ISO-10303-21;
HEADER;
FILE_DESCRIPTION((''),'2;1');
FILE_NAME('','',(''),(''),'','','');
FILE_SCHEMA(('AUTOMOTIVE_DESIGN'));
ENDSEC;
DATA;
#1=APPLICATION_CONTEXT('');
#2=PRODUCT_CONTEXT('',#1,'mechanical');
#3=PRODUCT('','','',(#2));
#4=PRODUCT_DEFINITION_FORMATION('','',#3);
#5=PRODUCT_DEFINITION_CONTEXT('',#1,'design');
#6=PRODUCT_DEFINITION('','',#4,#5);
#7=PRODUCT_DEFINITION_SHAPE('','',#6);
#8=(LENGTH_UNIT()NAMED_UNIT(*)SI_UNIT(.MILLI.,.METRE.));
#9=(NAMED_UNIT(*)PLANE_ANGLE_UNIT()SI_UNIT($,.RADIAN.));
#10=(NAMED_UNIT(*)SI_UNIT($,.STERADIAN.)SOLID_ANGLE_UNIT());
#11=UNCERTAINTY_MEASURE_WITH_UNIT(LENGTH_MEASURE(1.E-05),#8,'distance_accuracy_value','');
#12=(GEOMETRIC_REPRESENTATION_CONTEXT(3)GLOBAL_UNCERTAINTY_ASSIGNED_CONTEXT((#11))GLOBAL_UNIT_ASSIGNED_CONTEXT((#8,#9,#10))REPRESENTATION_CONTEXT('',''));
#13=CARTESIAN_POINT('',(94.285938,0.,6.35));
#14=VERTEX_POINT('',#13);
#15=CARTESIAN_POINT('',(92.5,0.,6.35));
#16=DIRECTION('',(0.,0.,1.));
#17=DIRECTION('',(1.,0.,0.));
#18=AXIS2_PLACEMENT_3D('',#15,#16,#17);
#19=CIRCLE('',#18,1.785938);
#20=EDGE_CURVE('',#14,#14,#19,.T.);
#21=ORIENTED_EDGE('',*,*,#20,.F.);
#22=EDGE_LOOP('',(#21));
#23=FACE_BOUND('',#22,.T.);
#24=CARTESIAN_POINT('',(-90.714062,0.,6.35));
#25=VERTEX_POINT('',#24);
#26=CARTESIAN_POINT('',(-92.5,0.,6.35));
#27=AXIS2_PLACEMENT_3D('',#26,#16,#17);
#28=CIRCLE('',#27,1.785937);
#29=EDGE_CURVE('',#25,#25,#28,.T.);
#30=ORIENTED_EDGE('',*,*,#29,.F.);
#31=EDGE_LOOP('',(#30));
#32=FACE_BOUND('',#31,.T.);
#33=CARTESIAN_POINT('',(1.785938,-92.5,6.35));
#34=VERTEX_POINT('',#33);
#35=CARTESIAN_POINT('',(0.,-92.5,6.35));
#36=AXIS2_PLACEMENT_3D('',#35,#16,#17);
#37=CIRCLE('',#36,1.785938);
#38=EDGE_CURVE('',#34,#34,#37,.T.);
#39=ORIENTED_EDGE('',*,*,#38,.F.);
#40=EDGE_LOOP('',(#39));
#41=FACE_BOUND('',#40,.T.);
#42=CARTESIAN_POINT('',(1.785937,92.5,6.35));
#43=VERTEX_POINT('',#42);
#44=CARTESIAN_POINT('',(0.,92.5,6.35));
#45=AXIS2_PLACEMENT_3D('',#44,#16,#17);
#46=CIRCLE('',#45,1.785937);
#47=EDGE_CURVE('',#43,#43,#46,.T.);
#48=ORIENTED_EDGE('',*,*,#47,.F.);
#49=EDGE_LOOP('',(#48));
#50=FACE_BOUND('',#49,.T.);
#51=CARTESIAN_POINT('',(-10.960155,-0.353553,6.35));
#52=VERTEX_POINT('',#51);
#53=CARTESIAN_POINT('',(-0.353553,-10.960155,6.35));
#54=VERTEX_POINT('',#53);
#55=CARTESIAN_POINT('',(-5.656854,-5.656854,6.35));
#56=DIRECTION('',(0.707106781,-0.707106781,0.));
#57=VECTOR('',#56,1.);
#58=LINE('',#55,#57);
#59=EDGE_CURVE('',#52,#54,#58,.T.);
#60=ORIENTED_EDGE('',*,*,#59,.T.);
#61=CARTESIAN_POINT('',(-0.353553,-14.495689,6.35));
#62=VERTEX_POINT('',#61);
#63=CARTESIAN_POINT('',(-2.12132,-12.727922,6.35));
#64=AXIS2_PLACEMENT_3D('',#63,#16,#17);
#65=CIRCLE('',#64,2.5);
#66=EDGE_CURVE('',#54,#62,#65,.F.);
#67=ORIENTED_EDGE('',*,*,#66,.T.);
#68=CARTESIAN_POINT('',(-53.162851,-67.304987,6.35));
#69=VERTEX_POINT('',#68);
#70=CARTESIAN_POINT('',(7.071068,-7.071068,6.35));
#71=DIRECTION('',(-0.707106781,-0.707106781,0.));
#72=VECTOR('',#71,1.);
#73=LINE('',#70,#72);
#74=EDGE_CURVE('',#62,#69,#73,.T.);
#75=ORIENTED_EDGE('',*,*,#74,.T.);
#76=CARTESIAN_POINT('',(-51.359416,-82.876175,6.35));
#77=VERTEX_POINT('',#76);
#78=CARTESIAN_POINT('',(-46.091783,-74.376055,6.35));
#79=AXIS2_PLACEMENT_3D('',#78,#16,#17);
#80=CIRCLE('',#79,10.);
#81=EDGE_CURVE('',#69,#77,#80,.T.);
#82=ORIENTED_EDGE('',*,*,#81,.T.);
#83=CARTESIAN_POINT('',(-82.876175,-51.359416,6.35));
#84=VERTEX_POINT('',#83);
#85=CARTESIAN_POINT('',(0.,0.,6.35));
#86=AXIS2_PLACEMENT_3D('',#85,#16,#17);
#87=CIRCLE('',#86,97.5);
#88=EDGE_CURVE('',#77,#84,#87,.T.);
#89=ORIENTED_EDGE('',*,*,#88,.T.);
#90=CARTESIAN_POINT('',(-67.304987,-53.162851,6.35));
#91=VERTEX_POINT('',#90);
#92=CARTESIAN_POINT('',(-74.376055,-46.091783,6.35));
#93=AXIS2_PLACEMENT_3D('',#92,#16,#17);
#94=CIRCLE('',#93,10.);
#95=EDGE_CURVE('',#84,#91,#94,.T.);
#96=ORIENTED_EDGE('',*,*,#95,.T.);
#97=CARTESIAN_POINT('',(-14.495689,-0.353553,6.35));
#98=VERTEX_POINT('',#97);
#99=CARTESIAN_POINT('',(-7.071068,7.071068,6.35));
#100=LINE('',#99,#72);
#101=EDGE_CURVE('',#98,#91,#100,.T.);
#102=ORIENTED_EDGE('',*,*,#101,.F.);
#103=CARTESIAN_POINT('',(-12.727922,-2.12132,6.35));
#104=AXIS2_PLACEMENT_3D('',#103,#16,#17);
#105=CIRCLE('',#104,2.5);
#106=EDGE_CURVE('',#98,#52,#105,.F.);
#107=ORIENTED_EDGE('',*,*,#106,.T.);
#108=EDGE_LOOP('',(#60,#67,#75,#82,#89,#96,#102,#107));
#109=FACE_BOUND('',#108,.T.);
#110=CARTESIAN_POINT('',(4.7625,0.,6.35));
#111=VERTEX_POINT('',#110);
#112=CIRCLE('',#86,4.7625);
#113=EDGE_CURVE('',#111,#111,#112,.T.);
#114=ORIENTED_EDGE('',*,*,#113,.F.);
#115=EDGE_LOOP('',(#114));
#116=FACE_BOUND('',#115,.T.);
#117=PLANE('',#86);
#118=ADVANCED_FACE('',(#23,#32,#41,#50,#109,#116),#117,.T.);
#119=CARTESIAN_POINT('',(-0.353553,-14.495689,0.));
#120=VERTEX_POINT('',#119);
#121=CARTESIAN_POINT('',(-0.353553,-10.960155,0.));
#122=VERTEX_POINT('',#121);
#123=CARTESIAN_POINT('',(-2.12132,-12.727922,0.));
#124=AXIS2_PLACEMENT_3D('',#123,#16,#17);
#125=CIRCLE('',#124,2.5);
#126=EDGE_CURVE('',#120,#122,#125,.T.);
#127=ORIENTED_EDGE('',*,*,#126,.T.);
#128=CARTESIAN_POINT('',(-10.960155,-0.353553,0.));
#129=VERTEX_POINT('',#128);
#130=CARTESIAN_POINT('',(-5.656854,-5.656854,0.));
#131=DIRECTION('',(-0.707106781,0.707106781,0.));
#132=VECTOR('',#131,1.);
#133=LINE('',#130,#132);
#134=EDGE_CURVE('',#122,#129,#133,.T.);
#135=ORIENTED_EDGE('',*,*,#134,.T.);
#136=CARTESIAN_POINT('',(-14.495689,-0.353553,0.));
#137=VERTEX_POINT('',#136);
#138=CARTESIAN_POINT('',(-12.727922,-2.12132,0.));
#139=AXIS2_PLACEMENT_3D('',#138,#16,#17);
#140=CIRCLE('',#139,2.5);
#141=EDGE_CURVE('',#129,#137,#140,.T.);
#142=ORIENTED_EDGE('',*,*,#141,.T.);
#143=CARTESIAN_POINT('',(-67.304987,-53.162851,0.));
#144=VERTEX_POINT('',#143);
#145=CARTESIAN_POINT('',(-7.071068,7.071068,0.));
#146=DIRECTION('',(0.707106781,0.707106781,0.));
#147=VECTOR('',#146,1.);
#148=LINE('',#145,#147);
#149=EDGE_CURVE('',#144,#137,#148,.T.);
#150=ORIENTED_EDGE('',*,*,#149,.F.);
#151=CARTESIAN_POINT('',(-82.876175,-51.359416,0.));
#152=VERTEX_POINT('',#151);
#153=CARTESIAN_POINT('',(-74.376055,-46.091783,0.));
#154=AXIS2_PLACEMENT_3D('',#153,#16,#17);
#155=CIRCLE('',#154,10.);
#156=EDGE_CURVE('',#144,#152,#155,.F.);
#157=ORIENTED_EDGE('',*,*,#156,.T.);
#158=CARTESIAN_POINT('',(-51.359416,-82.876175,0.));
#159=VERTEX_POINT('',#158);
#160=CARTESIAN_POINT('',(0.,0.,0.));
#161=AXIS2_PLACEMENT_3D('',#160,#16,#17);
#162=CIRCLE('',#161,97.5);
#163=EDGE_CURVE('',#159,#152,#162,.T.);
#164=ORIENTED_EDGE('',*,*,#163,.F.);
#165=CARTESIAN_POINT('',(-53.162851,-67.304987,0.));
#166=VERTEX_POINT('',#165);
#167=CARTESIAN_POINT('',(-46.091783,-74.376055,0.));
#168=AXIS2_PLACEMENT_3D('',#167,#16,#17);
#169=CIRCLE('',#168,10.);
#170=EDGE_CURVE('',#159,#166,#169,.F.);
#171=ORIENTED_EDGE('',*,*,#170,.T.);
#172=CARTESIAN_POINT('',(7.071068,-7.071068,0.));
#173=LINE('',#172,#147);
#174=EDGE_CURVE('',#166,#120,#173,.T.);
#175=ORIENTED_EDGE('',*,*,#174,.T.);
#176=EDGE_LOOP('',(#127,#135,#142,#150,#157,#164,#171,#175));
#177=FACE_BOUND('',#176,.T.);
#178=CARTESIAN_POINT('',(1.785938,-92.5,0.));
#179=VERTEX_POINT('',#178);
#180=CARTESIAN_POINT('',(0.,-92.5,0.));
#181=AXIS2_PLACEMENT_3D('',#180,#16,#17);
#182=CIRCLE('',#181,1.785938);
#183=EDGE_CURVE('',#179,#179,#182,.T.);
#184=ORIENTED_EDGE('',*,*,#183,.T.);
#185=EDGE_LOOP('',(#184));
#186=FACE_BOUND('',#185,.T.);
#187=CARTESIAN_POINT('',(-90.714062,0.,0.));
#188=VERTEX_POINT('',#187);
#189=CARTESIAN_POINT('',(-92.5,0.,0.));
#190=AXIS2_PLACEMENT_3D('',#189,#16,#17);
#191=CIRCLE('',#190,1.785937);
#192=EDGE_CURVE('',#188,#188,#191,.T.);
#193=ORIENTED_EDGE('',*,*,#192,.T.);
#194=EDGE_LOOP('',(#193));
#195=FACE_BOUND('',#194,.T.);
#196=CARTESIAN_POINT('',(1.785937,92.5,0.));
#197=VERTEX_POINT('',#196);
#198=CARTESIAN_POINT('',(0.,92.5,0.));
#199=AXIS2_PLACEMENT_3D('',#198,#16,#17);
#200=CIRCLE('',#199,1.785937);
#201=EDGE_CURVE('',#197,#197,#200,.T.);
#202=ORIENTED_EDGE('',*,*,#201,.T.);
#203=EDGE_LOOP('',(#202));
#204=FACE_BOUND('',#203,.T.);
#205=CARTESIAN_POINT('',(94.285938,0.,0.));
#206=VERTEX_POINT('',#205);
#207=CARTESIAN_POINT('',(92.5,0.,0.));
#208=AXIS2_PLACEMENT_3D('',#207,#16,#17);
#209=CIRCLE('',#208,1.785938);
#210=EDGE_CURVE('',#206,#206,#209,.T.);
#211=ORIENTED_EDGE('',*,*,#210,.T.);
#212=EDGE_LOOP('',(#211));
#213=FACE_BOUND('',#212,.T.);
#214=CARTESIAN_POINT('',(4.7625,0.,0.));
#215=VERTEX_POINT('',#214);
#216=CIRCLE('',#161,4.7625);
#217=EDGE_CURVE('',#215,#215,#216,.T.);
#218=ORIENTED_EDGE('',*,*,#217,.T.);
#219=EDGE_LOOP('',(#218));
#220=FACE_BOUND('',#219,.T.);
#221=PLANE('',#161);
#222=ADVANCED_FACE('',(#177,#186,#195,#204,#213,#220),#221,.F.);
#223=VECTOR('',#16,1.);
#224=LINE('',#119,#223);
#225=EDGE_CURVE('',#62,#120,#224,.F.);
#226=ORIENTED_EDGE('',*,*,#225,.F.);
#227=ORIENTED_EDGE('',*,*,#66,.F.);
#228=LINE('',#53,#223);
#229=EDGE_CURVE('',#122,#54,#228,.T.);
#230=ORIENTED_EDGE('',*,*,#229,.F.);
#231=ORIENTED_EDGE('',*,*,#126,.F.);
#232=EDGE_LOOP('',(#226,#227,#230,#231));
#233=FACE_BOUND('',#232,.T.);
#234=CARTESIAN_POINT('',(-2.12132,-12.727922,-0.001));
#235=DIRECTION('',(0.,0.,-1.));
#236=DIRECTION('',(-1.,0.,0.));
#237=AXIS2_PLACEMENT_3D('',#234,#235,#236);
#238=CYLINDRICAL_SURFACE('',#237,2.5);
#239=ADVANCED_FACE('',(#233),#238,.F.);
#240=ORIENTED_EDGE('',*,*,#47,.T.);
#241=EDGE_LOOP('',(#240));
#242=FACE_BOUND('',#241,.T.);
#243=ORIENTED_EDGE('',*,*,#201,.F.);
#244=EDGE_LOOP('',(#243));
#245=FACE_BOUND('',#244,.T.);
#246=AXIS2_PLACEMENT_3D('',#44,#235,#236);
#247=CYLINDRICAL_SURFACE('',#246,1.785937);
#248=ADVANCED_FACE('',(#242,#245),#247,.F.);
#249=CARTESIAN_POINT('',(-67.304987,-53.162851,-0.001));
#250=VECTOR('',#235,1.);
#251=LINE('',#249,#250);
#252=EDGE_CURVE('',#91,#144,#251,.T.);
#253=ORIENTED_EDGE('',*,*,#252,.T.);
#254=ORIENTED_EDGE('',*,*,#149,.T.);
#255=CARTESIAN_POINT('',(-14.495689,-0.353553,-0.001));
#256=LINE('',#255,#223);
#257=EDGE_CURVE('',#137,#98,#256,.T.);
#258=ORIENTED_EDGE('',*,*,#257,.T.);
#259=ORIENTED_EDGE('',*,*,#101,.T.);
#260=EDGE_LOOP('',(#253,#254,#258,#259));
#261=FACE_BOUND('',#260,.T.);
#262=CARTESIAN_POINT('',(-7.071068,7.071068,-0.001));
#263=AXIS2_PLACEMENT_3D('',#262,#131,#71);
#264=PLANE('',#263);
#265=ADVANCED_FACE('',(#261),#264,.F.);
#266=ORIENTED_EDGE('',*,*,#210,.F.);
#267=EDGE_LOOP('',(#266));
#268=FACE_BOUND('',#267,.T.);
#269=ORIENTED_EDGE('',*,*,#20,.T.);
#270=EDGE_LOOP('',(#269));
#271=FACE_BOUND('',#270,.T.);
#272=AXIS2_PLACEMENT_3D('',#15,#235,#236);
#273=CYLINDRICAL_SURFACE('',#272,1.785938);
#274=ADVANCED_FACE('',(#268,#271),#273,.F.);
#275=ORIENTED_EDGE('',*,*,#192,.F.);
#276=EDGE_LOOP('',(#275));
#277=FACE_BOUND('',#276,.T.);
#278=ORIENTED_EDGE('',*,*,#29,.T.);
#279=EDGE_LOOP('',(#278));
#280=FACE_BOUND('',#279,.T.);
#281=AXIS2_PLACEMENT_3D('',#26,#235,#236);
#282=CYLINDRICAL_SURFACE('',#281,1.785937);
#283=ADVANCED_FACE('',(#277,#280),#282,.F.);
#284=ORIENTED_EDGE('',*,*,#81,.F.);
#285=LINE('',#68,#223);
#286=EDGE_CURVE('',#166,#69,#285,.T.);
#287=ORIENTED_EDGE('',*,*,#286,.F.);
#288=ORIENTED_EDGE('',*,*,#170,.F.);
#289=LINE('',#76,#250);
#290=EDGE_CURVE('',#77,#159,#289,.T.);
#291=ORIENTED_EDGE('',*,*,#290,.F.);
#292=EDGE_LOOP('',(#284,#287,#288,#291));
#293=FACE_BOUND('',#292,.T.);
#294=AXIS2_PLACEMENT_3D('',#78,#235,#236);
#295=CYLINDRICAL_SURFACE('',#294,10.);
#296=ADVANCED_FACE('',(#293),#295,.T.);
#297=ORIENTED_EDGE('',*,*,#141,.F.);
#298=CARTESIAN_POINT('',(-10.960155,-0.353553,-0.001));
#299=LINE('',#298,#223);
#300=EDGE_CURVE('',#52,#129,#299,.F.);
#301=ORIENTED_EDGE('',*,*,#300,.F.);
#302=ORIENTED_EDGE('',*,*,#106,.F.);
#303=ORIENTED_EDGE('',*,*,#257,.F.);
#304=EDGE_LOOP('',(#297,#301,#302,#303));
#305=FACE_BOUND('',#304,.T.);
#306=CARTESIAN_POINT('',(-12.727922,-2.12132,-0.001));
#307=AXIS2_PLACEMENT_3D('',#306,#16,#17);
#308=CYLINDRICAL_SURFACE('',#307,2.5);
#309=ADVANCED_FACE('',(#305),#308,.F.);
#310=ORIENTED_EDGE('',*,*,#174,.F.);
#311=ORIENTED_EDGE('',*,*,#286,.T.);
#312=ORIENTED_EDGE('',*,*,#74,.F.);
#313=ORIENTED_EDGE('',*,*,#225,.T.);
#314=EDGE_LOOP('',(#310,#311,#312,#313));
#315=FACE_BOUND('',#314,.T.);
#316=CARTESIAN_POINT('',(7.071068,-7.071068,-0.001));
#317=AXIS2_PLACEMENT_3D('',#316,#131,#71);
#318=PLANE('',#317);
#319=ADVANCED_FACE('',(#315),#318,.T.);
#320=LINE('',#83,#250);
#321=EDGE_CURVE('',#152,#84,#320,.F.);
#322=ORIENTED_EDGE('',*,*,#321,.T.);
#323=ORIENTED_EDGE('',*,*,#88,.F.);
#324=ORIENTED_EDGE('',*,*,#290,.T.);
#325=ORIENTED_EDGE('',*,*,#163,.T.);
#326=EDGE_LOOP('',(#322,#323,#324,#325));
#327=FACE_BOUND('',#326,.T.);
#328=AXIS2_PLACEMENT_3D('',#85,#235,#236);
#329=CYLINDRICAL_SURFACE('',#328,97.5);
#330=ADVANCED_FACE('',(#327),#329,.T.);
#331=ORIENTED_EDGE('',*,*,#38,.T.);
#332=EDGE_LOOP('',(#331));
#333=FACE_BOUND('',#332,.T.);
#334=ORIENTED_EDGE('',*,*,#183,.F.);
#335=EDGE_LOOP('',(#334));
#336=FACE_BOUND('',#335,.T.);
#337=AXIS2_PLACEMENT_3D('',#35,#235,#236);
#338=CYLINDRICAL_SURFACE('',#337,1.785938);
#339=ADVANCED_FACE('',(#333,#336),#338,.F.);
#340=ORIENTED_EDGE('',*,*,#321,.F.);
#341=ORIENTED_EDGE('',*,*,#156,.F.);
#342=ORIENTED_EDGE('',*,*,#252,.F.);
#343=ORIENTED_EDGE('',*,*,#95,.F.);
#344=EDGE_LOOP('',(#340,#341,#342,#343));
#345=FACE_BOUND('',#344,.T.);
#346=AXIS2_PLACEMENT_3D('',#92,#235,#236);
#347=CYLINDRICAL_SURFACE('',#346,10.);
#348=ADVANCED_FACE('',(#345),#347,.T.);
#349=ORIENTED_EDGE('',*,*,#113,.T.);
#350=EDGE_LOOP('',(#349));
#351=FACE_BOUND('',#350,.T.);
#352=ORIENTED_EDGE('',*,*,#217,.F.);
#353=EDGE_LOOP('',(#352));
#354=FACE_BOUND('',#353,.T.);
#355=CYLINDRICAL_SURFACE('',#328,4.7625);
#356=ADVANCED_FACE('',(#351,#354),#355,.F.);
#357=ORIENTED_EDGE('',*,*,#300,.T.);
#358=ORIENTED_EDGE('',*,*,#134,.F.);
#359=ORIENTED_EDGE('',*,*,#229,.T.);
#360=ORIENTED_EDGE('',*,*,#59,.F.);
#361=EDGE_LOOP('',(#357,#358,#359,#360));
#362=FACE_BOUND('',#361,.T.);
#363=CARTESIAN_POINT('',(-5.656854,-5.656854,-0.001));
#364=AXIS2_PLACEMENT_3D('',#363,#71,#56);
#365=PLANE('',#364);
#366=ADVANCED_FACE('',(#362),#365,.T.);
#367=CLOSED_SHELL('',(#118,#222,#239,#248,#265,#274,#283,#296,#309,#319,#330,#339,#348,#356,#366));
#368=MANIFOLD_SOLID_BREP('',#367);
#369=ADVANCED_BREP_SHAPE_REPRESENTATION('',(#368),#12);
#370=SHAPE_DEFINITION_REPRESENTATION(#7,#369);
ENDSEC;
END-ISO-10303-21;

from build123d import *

# Parameters (mm, degrees)
SKETCH1_R           = 97.5
SKETCH1_R_2         = 4.7625
SKETCH1_R_3         = 1.7859375
BOSS_EXTRUDE1_DEPTH = 6.35
CUT_EXTRUDE3_REACH  = 140.032
FILLET2_R           = 10
FILLET3_R           = 2.5


with BuildPart() as part:
    # Sketch1 → Boss-Extrude1 (new body)
    with BuildSketch(Plane.XY):
        Circle(SKETCH1_R)
        Circle(SKETCH1_R_2, mode=Mode.SUBTRACT)
        with Locations((0, 92.5)):
            Circle(SKETCH1_R_3, mode=Mode.SUBTRACT)
        with Locations((92.5, 0)):
            Circle(SKETCH1_R_3, mode=Mode.SUBTRACT)
        with Locations((0, -92.5)):
            Circle(SKETCH1_R_3, mode=Mode.SUBTRACT)
        with Locations((-92.5, 0)):
            Circle(SKETCH1_R_3, mode=Mode.SUBTRACT)
    extrude(amount=BOSS_EXTRUDE1_DEPTH)

    # Sketch5 → Cut-Extrude3 (cut, up to next)
    with BuildSketch(Plane.XY.offset(6.35), mode=Mode.PRIVATE) as cut_extrude3_sk1:
        with BuildLine():
            Line((1.414213562, -12.727922061), (-5.656854249, -5.656854249))
            Line((-5.656854249, -5.656854249), (-68.942911166, -68.942911166))
            ThreePointArc((-68.942911166, -68.942911166), (-65.311752388, -72.392161178), (-61.50826581, -75.650401434))
            Line((-61.50826581, -75.650401434), (1.414213562, -12.727922061))
        make_face()
    cut_extrude3_tool1 = extrude(cut_extrude3_sk1.sketch, amount=-CUT_EXTRUDE3_REACH, mode=Mode.PRIVATE) & part.part
    # Sketch5 → Cut-Extrude3 (cut, up to next)
    with BuildSketch(Plane.XY.offset(6.35), mode=Mode.PRIVATE) as cut_extrude3_sk2:
        with BuildLine():
            Line((-68.942911166, -68.942911166), (-5.656854249, -5.656854249))
            Line((-5.656854249, -5.656854249), (-12.727922061, 1.414213562))
            Line((-12.727922061, 1.414213562), (-75.650401434, -61.50826581))
            ThreePointArc((-75.650401434, -61.50826581), (-72.392161178, -65.311752388), (-68.942911166, -68.942911166))
        make_face()
    cut_extrude3_tool2 = extrude(cut_extrude3_sk2.sketch, amount=-CUT_EXTRUDE3_REACH, mode=Mode.PRIVATE) & part.part
    add(cut_extrude3_tool1.solids().sort_by_distance((-33.7073, -40.771587, 6.35))[0], mode=Mode.SUBTRACT)
    add(cut_extrude3_tool2.solids().sort_by_distance((-40.771587, -33.7073, 6.35))[0], mode=Mode.SUBTRACT)

    # Fillet2
    fillet2_edges = [part.edges().sort_by_distance(p)[0] for p in [
        (-61.50826581, -75.650401434, 3.175),
        (-75.650401434, -61.50826581, 3.175),
    ]]
    fillet(fillet2_edges, radius=FILLET2_R)

    # Fillet3
    fillet3_edges = [part.edges().sort_by_distance(p)[0] for p in [
        (-12.727922061, 1.414213562, 3.175),
        (1.414213562, -12.727922061, 3.175),
    ]]
    fillet(fillet3_edges, radius=FILLET3_R)


solid = part.part
